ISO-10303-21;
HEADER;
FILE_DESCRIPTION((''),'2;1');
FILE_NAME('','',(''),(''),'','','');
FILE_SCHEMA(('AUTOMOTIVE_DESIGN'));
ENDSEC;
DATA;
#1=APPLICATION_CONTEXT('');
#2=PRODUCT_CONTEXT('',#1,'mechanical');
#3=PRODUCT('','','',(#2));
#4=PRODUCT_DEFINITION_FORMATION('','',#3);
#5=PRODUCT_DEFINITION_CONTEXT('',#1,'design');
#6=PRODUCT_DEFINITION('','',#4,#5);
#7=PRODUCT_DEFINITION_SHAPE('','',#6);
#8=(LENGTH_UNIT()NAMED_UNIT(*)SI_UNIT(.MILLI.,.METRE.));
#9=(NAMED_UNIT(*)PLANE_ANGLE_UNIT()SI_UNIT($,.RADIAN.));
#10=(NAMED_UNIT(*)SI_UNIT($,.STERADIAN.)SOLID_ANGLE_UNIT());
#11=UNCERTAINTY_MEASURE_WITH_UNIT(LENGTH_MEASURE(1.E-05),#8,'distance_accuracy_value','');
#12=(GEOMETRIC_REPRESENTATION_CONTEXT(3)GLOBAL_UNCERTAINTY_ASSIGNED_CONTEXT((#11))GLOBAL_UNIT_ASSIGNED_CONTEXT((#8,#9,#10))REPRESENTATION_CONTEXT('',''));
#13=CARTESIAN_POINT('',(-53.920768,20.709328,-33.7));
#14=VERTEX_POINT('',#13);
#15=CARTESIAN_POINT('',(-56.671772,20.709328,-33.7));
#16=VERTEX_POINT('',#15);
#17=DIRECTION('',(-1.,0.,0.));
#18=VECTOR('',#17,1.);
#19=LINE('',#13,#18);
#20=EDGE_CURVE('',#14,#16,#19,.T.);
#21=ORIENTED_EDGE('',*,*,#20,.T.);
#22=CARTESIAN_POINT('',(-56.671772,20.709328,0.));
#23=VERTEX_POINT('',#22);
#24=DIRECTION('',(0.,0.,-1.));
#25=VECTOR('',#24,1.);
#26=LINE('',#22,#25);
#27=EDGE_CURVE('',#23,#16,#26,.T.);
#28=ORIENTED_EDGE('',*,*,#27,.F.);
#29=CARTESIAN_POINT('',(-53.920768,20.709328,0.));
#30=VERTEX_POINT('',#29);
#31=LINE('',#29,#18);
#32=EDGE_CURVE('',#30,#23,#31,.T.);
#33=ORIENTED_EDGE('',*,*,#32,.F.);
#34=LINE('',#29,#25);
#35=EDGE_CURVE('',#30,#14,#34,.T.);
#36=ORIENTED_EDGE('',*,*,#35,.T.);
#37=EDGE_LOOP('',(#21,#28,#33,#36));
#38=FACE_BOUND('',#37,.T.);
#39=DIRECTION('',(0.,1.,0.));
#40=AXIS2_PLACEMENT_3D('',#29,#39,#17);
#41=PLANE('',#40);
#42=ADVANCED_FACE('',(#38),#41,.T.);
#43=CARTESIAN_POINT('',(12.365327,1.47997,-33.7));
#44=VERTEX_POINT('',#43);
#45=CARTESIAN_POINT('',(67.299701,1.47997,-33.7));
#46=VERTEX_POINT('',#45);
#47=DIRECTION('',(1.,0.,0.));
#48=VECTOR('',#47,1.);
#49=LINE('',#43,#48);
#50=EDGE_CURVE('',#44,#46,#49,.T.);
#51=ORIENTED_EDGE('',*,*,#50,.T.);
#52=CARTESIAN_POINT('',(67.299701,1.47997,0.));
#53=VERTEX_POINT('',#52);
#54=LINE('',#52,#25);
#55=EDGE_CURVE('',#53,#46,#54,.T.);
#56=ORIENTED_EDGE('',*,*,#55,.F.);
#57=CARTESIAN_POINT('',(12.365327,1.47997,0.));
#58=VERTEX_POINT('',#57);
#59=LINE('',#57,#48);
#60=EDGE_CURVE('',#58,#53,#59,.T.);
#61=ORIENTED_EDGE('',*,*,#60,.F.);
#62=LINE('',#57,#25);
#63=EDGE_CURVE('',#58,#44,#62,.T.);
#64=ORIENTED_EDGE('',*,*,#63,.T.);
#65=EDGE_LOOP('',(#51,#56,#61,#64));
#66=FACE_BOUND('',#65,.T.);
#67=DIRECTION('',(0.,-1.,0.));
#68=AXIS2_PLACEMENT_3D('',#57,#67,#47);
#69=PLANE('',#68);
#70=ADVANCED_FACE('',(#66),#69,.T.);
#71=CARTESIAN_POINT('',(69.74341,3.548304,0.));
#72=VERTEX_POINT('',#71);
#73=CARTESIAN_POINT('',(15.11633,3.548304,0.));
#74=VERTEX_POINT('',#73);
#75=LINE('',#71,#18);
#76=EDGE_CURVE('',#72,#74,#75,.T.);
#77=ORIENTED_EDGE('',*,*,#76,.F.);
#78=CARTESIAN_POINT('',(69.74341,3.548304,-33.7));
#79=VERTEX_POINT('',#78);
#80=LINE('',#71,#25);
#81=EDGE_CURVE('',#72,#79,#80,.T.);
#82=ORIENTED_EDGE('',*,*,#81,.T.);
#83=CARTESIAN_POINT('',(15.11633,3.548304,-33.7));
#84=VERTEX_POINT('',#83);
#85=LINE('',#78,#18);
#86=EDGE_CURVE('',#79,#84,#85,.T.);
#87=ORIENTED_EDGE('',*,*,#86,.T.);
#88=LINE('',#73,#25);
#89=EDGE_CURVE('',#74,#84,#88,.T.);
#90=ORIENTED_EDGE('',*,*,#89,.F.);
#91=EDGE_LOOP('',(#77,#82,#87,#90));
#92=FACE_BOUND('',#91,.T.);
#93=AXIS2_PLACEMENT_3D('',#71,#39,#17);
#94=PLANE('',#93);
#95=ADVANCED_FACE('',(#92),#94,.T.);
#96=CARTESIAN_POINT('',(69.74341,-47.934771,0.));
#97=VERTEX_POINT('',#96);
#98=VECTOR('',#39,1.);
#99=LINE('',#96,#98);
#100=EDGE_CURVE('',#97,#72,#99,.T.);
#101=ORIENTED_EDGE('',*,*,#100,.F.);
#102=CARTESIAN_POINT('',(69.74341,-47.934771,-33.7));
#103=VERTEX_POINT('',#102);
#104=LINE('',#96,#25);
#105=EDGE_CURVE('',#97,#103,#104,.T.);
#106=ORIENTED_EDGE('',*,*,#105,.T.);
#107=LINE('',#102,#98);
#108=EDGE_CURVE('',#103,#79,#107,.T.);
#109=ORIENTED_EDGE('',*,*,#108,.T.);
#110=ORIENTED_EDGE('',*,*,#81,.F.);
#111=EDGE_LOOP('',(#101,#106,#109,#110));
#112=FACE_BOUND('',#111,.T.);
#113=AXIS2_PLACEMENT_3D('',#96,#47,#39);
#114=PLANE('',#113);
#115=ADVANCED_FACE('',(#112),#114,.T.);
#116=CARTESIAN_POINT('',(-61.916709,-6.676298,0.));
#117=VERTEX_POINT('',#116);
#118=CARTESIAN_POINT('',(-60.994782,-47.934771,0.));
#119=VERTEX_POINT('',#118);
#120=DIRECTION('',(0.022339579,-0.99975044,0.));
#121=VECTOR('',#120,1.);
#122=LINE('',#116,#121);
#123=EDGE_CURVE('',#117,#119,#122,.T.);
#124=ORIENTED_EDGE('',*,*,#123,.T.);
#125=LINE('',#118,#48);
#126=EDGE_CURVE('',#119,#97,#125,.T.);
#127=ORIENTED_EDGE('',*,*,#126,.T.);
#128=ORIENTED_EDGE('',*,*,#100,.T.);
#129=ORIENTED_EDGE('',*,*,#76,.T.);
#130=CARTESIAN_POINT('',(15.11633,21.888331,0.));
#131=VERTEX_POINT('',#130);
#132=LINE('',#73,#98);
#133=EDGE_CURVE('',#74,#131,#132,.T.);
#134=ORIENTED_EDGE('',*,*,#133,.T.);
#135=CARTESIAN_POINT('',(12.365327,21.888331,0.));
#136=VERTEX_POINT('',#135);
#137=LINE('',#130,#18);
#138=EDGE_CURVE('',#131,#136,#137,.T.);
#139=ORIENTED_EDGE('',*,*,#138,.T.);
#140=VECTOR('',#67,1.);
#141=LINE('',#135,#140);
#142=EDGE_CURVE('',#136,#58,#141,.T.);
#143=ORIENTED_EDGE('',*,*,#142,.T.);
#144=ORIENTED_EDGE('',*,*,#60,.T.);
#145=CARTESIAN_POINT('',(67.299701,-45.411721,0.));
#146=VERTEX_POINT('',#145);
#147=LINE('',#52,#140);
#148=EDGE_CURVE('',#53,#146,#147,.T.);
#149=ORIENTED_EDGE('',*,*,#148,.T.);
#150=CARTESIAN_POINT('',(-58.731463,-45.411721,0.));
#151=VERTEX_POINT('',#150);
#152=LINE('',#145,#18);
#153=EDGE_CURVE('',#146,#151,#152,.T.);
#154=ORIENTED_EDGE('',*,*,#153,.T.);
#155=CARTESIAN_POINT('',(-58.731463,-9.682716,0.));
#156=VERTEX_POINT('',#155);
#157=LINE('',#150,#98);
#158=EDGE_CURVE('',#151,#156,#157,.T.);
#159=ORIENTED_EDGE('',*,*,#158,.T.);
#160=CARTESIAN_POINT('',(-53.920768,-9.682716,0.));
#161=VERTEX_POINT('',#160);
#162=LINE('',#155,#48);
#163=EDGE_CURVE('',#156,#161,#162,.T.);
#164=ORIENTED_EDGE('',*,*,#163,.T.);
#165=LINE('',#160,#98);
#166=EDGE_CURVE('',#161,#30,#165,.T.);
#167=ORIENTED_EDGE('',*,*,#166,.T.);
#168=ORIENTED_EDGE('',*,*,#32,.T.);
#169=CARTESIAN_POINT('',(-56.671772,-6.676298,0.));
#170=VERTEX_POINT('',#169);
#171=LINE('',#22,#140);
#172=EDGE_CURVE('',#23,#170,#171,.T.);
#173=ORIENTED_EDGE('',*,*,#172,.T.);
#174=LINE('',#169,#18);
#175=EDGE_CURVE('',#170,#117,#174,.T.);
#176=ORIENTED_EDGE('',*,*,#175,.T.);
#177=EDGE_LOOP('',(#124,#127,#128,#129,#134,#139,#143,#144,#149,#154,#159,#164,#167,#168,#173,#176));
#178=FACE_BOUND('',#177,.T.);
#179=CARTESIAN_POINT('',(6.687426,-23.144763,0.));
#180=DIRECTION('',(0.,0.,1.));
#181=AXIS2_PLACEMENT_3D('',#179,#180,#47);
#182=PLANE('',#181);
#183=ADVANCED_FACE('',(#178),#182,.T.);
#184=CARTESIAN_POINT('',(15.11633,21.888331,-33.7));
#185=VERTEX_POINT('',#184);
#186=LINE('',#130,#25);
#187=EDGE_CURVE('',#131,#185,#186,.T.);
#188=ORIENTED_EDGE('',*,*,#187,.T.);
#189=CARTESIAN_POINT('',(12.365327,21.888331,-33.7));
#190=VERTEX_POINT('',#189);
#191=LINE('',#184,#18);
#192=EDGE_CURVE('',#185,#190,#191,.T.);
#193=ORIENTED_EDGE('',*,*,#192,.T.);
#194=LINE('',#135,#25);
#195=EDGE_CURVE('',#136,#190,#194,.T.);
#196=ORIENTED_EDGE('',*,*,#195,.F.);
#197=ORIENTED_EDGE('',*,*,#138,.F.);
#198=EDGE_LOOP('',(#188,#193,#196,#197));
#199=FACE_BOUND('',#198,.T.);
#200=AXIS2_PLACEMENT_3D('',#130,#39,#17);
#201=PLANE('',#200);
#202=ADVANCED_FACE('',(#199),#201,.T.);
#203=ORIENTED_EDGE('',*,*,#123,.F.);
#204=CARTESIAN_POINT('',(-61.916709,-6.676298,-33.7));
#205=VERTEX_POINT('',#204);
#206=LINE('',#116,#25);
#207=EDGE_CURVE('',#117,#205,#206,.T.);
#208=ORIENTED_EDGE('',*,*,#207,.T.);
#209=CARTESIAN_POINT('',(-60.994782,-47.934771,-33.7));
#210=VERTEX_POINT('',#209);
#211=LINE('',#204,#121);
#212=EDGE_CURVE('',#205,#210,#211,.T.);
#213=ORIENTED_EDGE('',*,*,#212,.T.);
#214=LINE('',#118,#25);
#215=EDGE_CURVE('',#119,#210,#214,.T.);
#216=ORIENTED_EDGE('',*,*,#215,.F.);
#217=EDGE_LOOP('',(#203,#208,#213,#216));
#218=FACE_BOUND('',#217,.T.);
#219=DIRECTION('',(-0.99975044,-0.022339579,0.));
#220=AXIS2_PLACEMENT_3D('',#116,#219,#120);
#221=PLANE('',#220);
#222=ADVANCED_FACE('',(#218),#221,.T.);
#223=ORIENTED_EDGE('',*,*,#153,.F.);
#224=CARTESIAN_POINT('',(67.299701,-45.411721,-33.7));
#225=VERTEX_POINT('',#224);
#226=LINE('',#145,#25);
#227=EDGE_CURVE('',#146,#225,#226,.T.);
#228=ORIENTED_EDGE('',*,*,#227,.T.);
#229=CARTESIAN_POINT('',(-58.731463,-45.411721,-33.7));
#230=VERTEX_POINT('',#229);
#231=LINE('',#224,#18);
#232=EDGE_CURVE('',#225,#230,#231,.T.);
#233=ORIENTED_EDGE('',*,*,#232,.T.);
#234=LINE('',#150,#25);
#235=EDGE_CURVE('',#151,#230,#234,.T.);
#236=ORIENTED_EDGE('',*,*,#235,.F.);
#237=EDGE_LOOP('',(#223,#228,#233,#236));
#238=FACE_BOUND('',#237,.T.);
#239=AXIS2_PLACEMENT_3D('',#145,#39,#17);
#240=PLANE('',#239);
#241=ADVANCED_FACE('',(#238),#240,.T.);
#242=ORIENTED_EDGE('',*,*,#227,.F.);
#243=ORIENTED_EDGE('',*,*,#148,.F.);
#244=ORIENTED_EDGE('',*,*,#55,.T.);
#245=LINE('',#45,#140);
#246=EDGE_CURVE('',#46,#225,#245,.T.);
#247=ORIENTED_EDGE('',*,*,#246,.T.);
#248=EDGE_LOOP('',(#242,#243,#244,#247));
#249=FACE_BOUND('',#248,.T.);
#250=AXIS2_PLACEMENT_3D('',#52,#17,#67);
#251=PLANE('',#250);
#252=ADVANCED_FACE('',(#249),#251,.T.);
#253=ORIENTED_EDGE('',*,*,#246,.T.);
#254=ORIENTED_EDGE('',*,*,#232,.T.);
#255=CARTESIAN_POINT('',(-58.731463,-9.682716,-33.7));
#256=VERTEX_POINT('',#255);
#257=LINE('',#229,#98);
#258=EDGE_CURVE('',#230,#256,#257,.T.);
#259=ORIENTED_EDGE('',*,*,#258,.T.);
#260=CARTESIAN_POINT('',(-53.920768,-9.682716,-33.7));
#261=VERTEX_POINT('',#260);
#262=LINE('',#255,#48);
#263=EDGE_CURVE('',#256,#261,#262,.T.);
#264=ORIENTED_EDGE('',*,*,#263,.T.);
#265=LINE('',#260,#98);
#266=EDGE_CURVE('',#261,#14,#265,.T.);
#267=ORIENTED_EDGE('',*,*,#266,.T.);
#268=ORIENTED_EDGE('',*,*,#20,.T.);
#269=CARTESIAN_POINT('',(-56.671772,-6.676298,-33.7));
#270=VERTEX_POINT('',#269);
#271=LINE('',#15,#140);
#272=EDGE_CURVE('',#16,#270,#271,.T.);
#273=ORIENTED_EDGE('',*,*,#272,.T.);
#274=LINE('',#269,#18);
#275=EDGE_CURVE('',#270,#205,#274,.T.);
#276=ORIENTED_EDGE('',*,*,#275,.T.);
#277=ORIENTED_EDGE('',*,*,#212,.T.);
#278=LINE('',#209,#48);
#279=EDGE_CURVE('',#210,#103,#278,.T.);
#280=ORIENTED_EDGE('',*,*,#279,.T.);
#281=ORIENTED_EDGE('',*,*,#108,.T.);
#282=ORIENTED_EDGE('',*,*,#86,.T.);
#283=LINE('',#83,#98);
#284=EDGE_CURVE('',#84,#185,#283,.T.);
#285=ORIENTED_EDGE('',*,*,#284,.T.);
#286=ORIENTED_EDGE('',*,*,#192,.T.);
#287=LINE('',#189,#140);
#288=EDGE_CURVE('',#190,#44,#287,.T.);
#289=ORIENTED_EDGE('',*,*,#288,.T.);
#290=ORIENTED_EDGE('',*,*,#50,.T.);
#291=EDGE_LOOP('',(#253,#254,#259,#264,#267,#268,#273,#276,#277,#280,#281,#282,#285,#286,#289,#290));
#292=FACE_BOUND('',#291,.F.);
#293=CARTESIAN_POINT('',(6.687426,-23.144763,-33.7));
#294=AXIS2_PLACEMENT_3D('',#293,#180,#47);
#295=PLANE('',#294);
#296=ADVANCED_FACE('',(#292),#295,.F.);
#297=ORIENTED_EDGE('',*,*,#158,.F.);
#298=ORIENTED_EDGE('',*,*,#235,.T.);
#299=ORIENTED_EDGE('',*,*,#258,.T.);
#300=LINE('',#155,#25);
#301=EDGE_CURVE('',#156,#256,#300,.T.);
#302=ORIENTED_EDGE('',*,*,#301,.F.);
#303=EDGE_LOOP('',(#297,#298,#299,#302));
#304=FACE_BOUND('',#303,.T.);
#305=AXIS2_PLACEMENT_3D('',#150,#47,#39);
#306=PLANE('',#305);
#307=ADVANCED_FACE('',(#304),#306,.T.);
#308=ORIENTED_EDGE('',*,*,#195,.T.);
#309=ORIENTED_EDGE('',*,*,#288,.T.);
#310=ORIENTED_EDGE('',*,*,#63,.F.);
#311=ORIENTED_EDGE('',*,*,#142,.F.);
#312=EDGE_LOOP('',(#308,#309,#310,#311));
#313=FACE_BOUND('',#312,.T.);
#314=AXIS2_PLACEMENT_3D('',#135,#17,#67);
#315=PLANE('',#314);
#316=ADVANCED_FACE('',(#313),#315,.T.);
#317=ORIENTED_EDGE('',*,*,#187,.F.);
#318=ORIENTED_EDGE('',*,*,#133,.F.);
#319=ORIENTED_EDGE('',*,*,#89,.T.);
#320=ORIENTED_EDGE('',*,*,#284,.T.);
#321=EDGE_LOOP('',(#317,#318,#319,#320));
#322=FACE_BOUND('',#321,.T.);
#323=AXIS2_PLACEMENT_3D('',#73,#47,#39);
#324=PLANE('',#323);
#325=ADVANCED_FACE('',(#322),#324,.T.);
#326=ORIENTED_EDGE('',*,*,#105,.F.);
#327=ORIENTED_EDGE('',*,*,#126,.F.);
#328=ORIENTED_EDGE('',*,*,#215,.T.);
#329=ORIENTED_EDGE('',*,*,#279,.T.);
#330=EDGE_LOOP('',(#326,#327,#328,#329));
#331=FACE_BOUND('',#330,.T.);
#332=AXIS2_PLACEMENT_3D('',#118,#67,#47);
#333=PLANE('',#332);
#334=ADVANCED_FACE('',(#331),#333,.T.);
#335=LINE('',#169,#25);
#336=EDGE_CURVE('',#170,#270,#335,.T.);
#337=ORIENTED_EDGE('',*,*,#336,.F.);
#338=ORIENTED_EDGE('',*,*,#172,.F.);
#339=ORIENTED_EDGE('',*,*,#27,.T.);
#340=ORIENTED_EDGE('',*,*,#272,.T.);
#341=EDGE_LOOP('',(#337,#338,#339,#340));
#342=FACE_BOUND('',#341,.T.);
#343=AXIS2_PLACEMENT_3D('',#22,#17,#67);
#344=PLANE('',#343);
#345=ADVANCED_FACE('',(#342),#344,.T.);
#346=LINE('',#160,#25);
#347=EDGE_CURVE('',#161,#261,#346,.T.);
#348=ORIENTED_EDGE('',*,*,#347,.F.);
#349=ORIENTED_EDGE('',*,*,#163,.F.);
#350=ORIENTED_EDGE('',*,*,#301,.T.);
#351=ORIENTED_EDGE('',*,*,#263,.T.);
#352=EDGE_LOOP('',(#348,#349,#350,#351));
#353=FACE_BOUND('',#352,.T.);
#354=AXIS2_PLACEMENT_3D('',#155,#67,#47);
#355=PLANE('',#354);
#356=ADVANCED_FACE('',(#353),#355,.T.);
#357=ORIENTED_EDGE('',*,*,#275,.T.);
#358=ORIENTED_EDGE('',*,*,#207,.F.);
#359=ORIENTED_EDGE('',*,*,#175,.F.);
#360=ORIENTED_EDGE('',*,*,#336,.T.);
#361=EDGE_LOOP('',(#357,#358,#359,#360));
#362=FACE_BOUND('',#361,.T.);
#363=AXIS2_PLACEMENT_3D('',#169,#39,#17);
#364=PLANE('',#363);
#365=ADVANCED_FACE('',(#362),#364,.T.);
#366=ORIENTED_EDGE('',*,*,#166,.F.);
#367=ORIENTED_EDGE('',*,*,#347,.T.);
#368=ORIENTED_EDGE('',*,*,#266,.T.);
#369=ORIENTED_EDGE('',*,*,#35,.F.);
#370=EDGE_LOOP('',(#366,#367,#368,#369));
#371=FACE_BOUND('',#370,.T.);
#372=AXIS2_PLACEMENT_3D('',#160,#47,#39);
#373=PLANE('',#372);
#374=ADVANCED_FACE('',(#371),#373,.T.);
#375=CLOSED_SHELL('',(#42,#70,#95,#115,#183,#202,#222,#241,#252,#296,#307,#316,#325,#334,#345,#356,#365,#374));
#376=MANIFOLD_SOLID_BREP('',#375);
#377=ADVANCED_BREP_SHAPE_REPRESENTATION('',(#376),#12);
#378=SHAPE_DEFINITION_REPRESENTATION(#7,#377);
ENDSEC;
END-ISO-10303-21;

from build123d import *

# Parameters (mm, degrees)
F1_DEPTH = 33.7


with BuildPart() as f1:
    # F0 (on Top) → F1 (new body)
    with BuildSketch(Plane.XY):
        Polygon((67.299701, -45.411721), (-58.731463, -45.411721), (-58.731463, -9.682716), (-53.920768, -9.682716), (-53.920768, 20.709328), (-56.671772, 20.709328), (-56.671772, -6.676298), (-61.916709, -6.676298), (-60.994782, -47.934771), (69.74341, -47.934771), (69.74341, 3.548304), (15.11633, 3.548304), (15.11633, 21.888331), (12.365327, 21.888331), (12.365327, 1.47997), (67.299701, 1.47997), align=None)
    extrude(amount=-F1_DEPTH)


solid = f1.part
